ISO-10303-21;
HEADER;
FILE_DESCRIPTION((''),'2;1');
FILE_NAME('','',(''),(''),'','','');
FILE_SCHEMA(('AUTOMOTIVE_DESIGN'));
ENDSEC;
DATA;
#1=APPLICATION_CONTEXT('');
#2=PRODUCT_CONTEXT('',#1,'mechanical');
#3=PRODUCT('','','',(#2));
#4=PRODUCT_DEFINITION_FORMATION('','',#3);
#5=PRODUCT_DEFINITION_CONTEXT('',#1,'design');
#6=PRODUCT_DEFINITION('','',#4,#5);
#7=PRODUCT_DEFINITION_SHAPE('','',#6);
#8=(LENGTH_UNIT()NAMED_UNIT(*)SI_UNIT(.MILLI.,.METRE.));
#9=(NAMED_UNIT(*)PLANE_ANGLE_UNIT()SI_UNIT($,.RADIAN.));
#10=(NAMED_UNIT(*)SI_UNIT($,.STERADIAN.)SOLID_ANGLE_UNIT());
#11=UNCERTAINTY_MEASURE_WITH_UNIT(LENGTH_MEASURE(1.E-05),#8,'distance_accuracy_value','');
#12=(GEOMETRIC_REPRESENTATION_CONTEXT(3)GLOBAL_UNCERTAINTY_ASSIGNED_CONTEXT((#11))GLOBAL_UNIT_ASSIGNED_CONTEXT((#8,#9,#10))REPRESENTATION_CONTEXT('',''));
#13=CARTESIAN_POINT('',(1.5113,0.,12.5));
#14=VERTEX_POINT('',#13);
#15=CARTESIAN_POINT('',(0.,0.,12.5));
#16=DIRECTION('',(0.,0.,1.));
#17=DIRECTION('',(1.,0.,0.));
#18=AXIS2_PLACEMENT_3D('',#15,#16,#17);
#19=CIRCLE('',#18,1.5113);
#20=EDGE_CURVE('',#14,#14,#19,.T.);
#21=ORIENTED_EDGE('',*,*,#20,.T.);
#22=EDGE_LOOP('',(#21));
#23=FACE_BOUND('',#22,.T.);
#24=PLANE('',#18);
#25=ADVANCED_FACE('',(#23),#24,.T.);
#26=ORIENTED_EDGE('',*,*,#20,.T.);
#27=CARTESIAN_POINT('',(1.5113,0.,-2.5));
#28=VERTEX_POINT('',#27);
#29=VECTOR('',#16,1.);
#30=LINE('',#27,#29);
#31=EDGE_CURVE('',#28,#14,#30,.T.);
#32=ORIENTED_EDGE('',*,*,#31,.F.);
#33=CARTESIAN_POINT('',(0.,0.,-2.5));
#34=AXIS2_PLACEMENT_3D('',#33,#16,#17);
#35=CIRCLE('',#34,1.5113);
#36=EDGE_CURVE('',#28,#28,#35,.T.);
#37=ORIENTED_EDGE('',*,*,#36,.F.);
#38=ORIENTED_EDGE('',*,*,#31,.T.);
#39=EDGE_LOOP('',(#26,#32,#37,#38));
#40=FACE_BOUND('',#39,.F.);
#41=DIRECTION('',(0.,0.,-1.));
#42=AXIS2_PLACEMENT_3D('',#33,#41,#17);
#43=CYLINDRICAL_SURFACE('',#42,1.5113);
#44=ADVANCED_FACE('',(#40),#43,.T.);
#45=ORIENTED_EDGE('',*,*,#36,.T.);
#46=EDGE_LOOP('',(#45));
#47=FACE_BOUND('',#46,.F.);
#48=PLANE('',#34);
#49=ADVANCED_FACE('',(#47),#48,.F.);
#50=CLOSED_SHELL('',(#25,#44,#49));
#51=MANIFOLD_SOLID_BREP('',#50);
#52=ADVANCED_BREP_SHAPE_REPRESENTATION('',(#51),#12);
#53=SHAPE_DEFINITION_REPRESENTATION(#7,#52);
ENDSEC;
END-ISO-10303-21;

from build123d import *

# Parameters (mm, degrees)
CYLINDER_R     = 1.5113
CYLINDER_DEPTH = 15


with BuildPart() as part:
    # Cylinder → Cylinder (new body)
    with BuildSketch(Plane.XY.offset(-2.5)):
        Circle(CYLINDER_R)
    extrude(amount=CYLINDER_DEPTH)


solid = part.part
